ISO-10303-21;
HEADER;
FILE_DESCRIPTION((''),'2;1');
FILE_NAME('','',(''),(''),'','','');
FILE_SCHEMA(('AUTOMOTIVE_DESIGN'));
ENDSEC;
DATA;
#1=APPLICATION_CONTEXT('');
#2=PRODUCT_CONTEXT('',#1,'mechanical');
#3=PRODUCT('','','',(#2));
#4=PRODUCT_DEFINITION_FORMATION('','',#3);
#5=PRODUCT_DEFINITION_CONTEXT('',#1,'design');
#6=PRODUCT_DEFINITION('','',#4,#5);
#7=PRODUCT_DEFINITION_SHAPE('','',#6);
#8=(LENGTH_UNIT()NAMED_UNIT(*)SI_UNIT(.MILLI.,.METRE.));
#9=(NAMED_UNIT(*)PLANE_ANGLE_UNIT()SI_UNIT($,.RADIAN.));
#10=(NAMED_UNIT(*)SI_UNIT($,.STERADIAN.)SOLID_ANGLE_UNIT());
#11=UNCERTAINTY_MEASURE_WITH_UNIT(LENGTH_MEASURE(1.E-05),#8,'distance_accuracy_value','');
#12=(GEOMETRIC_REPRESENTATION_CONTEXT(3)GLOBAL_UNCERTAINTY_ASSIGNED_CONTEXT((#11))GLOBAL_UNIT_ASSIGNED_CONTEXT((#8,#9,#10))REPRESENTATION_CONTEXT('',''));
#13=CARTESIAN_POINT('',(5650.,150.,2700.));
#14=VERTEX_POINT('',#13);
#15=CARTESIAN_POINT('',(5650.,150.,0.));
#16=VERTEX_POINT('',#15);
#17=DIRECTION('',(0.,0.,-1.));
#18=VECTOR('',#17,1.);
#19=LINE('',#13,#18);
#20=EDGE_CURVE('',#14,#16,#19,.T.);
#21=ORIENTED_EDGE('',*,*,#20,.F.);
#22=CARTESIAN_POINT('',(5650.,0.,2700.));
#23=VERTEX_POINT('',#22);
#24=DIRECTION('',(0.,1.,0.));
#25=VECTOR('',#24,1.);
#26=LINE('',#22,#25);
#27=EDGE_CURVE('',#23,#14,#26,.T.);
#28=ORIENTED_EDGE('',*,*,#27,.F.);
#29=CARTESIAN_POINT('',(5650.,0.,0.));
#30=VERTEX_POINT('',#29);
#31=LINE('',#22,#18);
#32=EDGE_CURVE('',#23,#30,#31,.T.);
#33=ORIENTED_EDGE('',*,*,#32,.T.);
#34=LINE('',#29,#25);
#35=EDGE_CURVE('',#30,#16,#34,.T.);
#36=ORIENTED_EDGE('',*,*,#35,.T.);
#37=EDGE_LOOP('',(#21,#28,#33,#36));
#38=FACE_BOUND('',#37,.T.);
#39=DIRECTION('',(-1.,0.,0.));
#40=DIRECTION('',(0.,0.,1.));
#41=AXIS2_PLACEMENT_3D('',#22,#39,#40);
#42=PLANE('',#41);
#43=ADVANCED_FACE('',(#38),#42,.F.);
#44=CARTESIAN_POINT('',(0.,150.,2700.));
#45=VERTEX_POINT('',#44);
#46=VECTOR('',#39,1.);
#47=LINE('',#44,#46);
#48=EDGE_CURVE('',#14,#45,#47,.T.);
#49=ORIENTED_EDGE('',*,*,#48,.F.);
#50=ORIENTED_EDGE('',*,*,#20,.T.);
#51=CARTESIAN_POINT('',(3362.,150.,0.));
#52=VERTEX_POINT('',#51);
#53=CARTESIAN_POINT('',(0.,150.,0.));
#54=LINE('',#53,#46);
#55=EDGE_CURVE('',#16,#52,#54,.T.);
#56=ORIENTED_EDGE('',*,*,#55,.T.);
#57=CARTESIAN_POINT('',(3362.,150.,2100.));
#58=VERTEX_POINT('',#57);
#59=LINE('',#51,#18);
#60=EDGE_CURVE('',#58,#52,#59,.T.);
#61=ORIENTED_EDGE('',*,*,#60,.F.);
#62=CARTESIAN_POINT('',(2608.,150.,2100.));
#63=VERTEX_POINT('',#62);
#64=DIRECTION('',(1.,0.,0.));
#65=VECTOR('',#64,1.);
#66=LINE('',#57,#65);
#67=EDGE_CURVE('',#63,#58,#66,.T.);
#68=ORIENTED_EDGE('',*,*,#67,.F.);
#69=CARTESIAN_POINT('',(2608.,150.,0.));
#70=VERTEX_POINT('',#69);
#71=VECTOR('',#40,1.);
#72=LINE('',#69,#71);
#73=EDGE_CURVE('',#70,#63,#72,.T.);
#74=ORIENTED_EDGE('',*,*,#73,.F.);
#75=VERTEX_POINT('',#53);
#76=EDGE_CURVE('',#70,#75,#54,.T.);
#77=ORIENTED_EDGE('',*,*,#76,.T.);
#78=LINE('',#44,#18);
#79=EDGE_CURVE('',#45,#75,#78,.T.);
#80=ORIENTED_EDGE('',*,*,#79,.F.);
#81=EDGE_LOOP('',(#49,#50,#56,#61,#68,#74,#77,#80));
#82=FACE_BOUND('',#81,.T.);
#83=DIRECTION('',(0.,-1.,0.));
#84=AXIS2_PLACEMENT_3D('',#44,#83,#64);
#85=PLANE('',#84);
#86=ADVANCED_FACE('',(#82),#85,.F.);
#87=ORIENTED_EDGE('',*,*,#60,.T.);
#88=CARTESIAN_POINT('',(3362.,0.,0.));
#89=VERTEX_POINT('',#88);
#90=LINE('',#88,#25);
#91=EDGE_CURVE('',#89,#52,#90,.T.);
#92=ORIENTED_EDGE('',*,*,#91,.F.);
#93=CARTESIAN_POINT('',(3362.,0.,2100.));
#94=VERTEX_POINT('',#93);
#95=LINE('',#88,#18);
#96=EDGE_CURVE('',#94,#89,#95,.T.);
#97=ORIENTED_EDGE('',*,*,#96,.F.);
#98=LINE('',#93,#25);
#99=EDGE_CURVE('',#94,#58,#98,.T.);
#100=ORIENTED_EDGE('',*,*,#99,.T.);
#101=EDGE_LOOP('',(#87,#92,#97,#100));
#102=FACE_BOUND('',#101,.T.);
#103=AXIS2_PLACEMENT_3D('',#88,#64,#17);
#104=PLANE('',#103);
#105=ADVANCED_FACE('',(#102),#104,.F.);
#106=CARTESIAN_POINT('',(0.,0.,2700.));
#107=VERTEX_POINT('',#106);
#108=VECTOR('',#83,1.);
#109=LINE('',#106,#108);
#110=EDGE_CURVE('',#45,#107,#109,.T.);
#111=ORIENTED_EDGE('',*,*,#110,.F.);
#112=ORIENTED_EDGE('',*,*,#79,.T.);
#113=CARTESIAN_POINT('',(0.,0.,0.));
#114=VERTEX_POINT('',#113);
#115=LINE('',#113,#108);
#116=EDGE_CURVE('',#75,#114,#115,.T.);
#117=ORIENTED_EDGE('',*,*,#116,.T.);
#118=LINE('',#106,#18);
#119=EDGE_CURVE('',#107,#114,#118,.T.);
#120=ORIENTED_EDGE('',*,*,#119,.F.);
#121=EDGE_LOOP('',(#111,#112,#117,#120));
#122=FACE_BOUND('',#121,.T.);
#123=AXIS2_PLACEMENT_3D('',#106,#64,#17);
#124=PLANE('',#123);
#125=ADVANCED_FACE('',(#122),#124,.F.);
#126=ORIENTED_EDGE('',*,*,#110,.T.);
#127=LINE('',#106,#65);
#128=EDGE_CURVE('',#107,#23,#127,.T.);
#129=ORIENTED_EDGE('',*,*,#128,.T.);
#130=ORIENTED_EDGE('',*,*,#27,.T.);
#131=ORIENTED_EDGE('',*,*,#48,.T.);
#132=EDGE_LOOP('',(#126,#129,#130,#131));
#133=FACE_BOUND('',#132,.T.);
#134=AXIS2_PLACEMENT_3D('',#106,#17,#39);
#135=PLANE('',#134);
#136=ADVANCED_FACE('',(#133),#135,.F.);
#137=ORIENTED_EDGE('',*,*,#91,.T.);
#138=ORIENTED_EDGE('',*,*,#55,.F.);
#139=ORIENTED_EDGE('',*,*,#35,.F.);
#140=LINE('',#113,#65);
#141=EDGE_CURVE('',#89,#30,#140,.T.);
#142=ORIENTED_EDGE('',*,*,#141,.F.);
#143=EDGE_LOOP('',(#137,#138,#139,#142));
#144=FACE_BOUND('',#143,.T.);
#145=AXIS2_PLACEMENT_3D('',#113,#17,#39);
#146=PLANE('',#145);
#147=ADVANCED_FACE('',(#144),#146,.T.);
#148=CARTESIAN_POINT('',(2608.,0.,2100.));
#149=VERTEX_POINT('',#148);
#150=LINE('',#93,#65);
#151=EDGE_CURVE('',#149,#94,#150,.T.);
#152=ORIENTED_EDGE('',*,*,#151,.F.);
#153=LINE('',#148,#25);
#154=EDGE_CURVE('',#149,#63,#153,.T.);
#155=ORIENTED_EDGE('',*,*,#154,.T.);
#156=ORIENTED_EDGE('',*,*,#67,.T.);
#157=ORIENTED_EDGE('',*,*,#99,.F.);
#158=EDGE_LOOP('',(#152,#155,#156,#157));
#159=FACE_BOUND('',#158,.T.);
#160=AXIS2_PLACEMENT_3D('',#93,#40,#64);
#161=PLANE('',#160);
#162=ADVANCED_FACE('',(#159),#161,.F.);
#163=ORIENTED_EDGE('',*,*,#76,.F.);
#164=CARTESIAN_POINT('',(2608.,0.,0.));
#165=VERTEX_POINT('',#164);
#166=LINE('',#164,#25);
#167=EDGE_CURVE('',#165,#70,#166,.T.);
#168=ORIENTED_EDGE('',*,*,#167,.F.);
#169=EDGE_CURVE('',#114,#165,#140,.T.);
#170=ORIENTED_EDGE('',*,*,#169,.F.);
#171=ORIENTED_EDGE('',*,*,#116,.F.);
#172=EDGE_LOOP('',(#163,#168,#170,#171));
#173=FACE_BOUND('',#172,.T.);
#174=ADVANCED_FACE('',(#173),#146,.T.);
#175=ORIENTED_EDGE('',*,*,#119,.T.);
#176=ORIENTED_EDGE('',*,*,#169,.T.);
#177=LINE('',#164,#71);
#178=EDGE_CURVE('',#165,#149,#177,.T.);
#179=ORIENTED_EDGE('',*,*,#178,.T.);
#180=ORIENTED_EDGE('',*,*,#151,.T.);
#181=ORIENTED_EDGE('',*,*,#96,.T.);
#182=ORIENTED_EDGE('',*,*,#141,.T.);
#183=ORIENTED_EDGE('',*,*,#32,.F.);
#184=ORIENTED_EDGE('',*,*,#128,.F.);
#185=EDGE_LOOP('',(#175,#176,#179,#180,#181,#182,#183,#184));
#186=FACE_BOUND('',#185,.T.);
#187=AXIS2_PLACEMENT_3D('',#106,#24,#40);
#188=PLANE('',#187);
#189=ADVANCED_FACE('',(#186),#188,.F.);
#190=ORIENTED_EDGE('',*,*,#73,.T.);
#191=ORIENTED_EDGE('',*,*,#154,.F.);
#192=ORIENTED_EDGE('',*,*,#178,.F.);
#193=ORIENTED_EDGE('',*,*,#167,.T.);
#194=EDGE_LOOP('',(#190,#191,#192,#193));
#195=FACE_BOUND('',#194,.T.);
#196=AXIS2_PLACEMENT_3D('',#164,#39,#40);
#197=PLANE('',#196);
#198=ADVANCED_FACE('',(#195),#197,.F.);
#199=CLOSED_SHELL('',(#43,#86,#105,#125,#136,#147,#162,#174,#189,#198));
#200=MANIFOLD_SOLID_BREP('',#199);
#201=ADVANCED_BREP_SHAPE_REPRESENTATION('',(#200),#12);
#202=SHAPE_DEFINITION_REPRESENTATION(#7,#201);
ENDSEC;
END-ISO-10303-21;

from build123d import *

# Parameters (mm, degrees)
ESBO_O1_W                = 5650
ESBO_O1_H                = 150
RESSALTO_EXTRUS_O1_DEPTH = 2700
ESBO_O2_W                = 754
ESBO_O2_H                = 2100
CORTE_EXTRUS_O1_DEPTH    = 151


with BuildPart() as part:
    # Esboço1 → Ressalto-extrusão1 (new body)
    with BuildSketch(Plane.XY):
        with Locations((2825, 75)):
            Rectangle(ESBO_O1_W, ESBO_O1_H)
    extrude(amount=RESSALTO_EXTRUS_O1_DEPTH)

    # Esboço2 → Corte-extrusão1 (cut, through all)
    with BuildSketch(Plane(origin=(0, 150, 0), x_dir=(1, 0, 0), z_dir=(0, 1, 0))):
        with Locations((2985, -1050)):
            Rectangle(ESBO_O2_W, ESBO_O2_H)
    extrude(amount=-CORTE_EXTRUS_O1_DEPTH, mode=Mode.SUBTRACT)


solid = part.part
